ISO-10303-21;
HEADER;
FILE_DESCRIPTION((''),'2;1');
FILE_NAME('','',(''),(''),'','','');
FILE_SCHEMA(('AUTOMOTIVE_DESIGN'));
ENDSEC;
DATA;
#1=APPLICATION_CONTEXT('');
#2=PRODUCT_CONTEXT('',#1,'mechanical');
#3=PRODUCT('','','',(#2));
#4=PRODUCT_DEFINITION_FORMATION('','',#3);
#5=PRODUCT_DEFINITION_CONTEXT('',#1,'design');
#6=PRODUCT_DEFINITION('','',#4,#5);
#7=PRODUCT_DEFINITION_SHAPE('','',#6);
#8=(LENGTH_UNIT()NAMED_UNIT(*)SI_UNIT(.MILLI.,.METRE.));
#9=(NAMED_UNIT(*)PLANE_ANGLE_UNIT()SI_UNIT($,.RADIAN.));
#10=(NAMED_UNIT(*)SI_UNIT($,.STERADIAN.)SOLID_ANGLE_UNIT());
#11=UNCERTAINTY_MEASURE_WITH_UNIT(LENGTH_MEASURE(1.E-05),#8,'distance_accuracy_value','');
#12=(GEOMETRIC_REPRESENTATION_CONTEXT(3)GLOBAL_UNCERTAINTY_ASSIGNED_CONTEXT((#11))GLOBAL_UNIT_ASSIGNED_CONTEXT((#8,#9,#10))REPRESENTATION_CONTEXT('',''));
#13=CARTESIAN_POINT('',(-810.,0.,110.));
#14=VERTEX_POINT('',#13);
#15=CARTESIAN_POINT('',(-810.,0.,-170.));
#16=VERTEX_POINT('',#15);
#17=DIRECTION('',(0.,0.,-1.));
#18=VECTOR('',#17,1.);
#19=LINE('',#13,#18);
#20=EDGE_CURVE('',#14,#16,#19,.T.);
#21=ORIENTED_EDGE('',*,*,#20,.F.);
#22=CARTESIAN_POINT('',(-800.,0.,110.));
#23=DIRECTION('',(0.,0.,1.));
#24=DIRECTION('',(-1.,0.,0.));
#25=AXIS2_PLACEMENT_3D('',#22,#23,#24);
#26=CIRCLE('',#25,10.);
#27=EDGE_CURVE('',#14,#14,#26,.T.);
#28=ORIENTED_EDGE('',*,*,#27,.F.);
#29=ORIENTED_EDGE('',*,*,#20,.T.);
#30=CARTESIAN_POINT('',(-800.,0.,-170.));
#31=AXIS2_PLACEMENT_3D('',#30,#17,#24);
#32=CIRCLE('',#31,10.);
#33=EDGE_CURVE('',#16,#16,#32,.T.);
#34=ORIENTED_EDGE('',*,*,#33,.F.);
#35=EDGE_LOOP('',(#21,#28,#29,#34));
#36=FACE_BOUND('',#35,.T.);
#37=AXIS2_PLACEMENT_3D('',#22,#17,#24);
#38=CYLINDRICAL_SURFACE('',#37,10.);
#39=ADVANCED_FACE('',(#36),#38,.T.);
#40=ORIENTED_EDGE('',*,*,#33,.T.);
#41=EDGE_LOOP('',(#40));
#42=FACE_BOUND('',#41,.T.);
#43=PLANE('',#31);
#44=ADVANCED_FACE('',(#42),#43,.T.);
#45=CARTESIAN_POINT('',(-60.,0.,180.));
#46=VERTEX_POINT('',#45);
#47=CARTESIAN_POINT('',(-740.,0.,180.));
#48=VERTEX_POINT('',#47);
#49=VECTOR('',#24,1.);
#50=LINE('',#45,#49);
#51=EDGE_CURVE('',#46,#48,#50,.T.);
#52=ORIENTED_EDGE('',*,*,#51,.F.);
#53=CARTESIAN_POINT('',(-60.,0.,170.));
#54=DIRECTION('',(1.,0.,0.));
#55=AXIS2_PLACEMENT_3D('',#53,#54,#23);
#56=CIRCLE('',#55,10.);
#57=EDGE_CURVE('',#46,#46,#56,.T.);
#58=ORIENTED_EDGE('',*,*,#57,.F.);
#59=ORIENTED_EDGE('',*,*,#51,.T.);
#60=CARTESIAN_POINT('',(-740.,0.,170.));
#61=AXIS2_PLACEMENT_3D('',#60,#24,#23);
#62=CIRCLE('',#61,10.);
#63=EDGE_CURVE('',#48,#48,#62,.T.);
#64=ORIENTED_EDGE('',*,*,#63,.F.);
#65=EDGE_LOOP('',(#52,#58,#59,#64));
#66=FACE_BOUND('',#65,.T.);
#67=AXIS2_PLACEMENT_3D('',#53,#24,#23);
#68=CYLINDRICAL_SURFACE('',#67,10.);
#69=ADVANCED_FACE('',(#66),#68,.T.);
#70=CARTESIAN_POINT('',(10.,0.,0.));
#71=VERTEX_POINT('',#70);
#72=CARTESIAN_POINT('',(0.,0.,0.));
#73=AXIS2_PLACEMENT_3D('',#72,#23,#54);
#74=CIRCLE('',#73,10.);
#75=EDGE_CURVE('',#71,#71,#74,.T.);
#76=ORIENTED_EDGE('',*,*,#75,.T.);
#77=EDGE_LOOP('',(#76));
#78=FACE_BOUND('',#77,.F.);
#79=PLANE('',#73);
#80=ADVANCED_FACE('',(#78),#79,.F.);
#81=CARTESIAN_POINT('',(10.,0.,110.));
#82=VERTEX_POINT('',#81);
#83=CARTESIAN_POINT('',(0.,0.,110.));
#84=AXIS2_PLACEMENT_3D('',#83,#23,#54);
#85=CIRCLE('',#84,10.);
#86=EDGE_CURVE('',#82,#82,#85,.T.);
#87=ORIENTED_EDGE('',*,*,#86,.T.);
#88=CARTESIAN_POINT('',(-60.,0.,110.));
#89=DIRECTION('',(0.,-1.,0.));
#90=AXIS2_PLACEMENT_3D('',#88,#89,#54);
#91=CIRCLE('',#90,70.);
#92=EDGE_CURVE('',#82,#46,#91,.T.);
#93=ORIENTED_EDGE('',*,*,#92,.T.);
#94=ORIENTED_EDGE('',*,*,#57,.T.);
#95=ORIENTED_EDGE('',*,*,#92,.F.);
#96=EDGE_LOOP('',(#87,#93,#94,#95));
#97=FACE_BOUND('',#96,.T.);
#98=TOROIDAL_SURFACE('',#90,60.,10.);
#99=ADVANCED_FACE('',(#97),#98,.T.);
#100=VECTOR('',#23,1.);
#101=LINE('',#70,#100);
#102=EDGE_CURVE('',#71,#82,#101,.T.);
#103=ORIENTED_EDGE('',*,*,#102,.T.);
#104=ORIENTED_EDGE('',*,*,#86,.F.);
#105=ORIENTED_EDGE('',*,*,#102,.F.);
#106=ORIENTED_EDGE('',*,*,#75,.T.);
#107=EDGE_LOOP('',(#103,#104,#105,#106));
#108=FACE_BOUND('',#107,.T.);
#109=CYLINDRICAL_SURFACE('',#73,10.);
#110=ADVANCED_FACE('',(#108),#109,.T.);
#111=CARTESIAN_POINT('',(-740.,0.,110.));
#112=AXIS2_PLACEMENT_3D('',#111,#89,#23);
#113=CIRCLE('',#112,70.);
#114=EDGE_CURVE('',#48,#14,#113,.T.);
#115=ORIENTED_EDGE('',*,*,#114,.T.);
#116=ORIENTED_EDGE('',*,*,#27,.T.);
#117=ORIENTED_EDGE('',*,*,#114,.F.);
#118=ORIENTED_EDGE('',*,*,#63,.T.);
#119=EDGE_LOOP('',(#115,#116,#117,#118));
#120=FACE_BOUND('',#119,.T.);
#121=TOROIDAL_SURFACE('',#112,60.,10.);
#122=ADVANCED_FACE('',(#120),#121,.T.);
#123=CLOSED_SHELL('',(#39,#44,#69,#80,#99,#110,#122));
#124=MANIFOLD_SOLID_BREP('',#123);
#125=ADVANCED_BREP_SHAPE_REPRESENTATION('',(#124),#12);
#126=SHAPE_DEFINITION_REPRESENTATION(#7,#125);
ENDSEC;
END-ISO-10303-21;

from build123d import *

# Parameters (mm, degrees)
F1_R = 10


with BuildPart() as f2:
    # F2: sweep along a path in F0
    with BuildLine(Plane.XZ) as f2_path:
        Line((0, 0), (0, 110))
        ThreePointArc((0, 110), (-17.5735931288, 152.4264068712), (-60, 170))
        Line((-60, 170), (-740, 170))
        ThreePointArc((-740, 170), (-782.4264068712, 152.4264068712), (-800, 110))
        Line((-800, 110), (-800, -170))
    # F1 (on Top) → F2 (sweep)
    with BuildSketch(Plane.XY):
        Circle(F1_R)
    sweep(path=f2_path.line)


solid = f2.part
